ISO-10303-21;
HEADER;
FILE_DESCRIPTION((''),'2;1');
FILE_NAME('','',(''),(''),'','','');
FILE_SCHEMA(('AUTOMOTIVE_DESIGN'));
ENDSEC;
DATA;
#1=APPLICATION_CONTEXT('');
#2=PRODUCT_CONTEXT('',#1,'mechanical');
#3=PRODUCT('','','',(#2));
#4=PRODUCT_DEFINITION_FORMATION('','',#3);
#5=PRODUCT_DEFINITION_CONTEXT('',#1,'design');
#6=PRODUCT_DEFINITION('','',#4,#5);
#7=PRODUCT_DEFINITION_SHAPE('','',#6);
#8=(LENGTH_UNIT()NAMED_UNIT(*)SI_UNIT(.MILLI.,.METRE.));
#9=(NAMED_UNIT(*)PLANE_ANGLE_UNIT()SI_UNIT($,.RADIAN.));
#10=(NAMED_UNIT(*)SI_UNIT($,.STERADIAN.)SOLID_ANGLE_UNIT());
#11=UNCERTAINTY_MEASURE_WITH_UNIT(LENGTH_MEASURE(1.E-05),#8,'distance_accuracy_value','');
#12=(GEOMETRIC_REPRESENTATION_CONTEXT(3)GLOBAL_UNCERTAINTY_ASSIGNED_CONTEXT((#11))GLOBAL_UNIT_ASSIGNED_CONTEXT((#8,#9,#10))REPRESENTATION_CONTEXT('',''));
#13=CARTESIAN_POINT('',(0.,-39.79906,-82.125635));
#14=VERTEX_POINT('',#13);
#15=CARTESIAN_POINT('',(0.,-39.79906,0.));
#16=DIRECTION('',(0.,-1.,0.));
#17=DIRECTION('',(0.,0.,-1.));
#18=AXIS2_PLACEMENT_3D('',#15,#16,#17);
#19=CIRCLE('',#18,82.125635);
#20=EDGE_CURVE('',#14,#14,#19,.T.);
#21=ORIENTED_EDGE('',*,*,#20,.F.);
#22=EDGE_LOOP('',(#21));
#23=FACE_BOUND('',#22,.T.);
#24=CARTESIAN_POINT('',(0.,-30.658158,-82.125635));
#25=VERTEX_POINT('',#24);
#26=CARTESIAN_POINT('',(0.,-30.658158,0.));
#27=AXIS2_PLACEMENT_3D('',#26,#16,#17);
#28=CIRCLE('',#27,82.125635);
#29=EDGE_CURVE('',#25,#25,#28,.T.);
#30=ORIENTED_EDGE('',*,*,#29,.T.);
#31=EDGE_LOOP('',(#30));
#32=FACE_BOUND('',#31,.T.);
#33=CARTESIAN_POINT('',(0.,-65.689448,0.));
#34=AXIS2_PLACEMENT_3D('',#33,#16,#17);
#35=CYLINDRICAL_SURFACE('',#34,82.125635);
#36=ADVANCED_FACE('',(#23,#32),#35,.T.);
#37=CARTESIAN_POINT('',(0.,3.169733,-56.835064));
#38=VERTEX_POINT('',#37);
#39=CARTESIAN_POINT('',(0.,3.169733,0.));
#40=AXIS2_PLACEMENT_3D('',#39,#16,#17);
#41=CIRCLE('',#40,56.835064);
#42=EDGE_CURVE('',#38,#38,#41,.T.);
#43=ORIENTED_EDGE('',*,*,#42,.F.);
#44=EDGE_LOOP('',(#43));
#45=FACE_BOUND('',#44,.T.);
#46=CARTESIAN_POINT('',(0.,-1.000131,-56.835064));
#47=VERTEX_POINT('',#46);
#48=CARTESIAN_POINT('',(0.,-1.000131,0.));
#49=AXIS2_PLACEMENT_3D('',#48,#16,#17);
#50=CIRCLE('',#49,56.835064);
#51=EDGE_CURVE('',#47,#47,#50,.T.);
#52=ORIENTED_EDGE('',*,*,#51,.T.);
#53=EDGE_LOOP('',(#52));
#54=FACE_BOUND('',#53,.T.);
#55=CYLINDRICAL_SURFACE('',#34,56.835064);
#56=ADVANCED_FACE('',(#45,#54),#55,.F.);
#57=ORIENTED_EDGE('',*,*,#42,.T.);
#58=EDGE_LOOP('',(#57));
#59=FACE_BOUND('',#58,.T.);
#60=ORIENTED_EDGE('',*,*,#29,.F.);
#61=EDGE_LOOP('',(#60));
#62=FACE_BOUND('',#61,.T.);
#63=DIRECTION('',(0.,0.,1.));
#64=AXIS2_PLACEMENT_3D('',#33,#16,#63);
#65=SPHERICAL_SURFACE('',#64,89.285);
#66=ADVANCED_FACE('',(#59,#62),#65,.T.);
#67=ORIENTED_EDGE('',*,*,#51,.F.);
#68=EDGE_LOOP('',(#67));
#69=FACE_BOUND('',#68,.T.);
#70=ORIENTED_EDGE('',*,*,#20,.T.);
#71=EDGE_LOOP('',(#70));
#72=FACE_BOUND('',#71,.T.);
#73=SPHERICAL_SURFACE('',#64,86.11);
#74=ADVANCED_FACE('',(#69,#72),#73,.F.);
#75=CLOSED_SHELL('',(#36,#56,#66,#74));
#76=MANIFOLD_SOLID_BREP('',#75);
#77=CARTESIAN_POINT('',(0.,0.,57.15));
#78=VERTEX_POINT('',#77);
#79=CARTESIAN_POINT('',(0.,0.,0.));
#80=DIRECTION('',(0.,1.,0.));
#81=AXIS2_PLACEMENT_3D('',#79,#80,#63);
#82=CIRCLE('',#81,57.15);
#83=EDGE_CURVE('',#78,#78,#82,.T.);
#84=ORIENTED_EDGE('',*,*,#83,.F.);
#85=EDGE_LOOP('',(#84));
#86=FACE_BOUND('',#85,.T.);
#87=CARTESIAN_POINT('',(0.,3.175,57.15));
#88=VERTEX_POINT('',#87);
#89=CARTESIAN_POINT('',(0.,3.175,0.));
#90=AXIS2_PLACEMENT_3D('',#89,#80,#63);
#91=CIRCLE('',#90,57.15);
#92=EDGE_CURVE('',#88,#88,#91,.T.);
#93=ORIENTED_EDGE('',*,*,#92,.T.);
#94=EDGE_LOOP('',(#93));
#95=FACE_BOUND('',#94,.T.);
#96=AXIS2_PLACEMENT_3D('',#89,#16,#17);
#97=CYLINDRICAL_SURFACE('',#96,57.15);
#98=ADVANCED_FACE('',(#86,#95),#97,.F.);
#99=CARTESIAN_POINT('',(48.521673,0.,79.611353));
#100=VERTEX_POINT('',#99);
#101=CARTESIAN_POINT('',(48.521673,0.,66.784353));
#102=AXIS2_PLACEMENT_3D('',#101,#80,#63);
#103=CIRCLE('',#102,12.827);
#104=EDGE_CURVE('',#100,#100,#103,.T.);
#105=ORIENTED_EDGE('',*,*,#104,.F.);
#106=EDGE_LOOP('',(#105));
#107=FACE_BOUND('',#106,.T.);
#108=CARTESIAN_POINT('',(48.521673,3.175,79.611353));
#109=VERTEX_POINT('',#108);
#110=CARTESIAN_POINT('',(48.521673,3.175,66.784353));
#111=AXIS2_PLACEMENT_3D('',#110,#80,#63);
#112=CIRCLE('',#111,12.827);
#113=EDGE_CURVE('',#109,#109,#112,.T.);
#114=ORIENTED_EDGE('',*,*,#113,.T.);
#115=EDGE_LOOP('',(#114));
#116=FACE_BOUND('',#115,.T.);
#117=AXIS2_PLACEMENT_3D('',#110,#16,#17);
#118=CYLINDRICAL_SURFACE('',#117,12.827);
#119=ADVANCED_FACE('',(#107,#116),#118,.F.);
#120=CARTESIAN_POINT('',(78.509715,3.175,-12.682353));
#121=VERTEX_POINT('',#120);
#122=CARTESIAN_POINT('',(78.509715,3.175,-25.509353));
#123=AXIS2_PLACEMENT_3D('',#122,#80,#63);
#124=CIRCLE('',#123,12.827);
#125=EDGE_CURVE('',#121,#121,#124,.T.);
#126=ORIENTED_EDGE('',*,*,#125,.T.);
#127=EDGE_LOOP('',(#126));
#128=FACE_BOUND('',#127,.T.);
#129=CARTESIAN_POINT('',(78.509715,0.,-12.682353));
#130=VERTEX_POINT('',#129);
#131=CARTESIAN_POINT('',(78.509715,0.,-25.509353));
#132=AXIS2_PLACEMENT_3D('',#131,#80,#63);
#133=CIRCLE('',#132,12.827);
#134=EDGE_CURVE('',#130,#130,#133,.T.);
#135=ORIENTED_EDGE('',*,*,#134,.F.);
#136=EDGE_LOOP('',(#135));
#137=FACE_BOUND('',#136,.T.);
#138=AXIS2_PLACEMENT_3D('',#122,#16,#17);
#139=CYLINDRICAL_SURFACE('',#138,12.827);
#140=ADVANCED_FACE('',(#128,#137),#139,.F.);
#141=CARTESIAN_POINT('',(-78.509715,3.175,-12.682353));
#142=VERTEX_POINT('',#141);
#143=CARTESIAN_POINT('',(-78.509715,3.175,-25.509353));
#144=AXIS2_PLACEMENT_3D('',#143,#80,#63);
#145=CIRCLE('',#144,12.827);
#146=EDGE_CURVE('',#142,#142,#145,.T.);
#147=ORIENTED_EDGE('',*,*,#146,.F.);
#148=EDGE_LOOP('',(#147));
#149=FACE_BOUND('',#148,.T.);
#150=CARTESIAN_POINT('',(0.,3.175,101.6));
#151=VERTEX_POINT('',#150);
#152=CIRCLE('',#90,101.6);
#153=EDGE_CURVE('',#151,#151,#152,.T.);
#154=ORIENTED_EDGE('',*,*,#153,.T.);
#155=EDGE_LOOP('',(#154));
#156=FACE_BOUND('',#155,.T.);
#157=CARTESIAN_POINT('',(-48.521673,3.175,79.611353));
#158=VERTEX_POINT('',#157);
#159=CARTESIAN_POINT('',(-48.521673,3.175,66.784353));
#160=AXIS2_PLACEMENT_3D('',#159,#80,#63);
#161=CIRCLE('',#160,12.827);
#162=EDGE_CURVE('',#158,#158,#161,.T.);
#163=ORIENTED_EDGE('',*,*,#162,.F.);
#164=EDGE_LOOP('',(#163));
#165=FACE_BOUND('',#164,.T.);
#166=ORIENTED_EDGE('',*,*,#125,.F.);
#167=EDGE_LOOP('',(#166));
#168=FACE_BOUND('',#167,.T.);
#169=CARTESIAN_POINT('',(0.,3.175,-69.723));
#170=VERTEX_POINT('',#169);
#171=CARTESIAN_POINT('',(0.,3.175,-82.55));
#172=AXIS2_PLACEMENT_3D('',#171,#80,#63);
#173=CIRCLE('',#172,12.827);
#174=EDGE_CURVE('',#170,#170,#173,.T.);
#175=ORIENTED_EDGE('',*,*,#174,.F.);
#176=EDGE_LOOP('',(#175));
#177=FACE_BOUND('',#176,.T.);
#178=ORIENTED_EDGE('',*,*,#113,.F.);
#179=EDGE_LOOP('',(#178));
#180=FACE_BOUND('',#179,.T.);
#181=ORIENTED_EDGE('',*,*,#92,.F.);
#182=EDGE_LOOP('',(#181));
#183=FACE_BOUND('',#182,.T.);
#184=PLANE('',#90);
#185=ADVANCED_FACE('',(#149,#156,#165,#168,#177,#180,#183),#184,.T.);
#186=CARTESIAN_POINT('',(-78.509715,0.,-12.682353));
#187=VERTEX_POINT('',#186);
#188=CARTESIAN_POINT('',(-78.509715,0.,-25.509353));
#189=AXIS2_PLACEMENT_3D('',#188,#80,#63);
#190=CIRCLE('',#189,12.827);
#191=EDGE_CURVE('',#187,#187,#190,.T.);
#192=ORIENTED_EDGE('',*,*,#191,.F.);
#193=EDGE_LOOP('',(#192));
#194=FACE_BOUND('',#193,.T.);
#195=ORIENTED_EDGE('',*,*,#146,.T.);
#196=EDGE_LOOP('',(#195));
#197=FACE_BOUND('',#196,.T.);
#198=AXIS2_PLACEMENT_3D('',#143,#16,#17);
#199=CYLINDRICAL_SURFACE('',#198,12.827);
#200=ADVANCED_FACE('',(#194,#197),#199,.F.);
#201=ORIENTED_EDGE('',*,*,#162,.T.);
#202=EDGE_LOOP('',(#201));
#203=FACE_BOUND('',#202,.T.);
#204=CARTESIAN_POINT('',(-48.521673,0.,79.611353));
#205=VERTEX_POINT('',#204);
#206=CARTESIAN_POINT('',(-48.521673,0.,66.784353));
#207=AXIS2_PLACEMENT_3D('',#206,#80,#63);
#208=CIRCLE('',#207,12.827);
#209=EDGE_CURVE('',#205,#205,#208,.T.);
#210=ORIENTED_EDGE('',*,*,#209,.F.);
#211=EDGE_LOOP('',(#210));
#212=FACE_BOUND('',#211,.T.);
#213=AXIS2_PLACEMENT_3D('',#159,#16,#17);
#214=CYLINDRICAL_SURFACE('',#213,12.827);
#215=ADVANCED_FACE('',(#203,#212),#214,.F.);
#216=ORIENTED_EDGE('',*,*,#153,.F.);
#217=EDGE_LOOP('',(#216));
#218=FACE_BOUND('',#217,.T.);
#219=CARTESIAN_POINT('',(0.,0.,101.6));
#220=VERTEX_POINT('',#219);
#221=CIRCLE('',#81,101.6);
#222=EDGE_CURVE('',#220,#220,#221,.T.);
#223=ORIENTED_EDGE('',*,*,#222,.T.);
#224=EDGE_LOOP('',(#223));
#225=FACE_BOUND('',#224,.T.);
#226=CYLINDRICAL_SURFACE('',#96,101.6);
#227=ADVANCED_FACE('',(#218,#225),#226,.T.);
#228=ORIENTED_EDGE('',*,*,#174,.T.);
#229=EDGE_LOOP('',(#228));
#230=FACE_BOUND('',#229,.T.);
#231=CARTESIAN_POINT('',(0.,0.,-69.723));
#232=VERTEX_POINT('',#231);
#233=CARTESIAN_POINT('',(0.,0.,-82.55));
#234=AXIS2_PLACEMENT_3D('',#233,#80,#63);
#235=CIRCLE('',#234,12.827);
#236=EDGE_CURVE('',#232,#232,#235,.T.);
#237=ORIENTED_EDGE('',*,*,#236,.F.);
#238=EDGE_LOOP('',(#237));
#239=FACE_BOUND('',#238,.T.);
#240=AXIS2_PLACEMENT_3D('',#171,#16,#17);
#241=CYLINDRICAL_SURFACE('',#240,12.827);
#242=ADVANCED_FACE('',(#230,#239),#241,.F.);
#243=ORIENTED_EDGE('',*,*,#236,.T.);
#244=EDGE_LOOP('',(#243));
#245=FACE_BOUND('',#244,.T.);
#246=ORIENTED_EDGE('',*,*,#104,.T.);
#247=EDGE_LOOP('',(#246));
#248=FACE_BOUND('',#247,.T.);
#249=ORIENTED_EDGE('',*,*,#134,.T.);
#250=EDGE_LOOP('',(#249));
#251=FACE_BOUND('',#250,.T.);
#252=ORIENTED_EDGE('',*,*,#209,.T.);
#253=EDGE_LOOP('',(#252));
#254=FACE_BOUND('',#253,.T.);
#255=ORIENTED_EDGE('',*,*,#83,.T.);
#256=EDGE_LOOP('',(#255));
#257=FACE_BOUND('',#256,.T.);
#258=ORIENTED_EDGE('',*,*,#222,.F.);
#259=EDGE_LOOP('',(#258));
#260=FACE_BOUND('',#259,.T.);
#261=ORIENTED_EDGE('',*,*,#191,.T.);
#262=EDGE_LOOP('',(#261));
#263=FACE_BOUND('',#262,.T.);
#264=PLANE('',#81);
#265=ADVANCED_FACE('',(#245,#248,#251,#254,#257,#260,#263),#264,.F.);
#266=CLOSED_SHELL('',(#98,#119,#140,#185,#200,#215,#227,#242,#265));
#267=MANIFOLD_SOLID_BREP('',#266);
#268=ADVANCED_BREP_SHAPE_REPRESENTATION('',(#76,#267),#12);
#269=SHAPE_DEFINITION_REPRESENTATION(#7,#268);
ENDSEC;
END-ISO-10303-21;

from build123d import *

# Parameters (mm, degrees)
SKETCH2_R           = 101.6
SKETCH2_R_2         = 57.15
SKETCH2_R_3         = 12.827
BOSS_EXTRUDE1_DEPTH = 3.175


with BuildPart() as part:
    # Sketch1 → Revolve1 (revolve)
    with BuildSketch(Plane(origin=(0, -65.689447684, 0), x_dir=(0, 0, -1), z_dir=(1, 0, 0))):
        with BuildLine():
            Line((-82.125635067, 25.890387499), (-82.125635067, 35.031290154))
            ThreePointArc((-82.125635067, 35.031290154), (-71.509443379, 53.46223651), (-56.835063666, 68.859180674))
            Line((-56.835063666, 68.859180674), (-56.835063666, 64.689316259))
            ThreePointArc((-56.835063666, 64.689316259), (-72.137772119, 47.022057948), (-82.125635067, 25.890387499))
        make_face()
    revolve(axis=Axis((0, -65.689447684, 0), (0, 1, 0)))


with BuildPart() as body_2:
    # Sketch2 → Boss-Extrude1 (new body)
    with BuildSketch(Plane(origin=(0, 0, 0), x_dir=(1, 0, 0), z_dir=(0, 1, 0))):
        Circle(SKETCH2_R)
        Circle(SKETCH2_R_2, mode=Mode.SUBTRACT)
        with Locations((-78.50971542, 25.509352886)):
            Circle(SKETCH2_R_3, mode=Mode.SUBTRACT)
        with Locations((-48.521672577, -66.784352886)):
            Circle(SKETCH2_R_3, mode=Mode.SUBTRACT)
        with Locations((48.521672577, -66.784352886)):
            Circle(SKETCH2_R_3, mode=Mode.SUBTRACT)
        with Locations((78.50971542, 25.509352886)):
            Circle(SKETCH2_R_3, mode=Mode.SUBTRACT)
        with Locations((0, 82.55)):
            Circle(SKETCH2_R_3, mode=Mode.SUBTRACT)
    extrude(amount=BOSS_EXTRUDE1_DEPTH)


solid = Compound([part.part, body_2.part])
